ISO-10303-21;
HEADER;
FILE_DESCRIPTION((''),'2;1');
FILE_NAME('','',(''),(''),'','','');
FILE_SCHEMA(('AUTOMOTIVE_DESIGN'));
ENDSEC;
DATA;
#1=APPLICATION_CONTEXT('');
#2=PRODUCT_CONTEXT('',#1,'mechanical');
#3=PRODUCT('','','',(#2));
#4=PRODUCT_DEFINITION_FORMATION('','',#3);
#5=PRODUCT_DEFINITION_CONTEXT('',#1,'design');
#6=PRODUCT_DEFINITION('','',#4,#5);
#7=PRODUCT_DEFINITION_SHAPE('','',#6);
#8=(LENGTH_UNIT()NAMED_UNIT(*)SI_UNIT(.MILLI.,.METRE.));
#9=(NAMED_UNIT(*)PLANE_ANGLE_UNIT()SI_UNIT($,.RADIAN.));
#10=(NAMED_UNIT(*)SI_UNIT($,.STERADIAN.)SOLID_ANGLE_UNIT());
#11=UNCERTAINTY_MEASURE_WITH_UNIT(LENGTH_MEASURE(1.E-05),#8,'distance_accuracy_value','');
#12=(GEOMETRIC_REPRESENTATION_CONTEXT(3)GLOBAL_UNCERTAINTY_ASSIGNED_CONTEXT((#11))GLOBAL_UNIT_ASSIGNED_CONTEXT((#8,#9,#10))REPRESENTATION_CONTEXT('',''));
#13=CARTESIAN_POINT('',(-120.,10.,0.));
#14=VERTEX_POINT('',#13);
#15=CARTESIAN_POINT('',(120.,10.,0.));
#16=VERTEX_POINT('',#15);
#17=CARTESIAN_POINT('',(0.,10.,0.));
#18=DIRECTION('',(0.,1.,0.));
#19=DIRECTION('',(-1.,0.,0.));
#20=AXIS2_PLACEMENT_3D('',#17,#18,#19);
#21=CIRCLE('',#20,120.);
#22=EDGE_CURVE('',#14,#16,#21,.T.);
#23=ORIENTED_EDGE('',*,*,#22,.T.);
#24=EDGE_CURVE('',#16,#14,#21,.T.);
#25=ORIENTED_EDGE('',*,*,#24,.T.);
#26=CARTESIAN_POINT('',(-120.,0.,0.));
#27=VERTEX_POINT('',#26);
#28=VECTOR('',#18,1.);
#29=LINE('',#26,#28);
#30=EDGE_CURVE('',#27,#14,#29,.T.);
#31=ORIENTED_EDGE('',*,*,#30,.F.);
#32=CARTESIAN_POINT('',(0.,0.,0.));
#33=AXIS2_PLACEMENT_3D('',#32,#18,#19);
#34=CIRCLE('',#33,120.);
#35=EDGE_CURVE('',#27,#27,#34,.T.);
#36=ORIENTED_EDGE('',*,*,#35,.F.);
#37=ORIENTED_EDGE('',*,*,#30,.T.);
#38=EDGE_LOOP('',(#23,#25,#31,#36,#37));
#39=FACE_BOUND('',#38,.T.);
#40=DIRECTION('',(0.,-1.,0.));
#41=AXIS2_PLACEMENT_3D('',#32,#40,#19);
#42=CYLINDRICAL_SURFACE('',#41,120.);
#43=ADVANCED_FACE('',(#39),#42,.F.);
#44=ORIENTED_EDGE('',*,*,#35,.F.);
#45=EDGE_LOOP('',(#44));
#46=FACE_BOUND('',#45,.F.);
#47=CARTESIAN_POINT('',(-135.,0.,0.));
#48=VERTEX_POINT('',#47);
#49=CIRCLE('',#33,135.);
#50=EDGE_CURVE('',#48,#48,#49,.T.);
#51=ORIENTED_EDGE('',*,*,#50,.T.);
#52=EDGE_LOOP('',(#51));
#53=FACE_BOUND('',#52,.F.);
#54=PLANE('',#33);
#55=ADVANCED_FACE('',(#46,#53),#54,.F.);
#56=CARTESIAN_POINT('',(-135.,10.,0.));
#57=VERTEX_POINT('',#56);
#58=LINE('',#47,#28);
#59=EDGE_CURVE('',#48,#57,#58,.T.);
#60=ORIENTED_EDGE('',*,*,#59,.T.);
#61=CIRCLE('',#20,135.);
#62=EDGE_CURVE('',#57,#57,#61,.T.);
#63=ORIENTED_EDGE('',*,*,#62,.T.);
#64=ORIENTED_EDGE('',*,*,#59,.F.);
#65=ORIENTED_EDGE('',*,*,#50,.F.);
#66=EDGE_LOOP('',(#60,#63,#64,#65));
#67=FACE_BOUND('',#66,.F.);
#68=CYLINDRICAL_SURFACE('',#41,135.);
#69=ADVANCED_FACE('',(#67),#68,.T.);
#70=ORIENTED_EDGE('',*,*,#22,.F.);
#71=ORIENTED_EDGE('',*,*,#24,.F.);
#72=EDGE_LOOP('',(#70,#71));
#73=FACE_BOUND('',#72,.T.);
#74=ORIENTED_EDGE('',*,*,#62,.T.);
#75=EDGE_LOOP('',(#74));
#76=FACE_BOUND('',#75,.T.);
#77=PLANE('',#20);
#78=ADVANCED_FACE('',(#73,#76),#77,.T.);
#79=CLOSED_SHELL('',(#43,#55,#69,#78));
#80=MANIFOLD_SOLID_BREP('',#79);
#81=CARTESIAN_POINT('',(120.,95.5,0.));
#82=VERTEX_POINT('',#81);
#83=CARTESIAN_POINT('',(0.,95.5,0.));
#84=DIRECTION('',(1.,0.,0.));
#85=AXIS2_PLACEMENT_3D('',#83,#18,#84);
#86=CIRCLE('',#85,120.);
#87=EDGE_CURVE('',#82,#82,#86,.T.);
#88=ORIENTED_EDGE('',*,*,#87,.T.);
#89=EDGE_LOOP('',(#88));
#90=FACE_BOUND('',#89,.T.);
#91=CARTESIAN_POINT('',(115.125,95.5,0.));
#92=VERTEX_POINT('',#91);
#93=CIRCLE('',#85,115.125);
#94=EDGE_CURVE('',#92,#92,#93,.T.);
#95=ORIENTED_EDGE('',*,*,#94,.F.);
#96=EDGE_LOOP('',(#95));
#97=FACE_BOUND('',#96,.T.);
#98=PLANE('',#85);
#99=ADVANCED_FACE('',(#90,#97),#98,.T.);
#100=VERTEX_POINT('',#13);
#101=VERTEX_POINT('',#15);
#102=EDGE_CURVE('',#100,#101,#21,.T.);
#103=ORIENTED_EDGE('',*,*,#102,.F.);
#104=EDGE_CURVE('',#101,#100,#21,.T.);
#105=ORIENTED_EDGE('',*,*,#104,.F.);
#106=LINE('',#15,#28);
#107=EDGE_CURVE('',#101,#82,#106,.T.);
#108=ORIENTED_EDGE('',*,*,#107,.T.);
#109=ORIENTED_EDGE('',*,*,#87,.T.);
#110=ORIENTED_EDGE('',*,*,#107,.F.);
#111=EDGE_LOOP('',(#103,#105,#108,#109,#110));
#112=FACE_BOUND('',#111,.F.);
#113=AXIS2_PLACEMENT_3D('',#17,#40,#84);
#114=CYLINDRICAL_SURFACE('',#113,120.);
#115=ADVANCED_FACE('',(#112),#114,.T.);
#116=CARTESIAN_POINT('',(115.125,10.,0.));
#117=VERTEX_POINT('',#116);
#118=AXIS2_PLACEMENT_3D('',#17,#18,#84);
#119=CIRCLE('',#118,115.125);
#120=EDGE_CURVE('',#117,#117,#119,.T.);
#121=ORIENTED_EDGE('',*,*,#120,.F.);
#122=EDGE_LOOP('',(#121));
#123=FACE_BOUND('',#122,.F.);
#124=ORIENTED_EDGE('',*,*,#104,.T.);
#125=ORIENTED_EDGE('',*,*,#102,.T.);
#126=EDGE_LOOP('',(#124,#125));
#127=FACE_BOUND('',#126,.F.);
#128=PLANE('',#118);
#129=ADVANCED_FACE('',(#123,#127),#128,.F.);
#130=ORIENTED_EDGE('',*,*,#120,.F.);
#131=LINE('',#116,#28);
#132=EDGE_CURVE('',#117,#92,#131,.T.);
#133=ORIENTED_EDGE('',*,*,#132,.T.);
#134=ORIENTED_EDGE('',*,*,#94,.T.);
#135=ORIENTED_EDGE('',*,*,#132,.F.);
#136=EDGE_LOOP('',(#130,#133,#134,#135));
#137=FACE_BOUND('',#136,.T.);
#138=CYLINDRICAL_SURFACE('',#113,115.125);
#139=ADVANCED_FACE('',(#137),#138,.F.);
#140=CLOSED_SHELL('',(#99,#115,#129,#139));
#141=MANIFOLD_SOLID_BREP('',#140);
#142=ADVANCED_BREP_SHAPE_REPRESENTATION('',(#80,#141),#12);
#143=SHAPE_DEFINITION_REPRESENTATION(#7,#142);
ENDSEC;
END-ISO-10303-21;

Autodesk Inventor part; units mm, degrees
ref_plane "YZ Plane" through (0, 0, 0) normal (1, 0, 0) x (0, 1, 0)
ref_plane "XZ Plane" through (0, 0, 0) normal (0, 1, 0) x (-1, 0, 0)
ref_plane "XY Plane" through (0, 0, 0) normal (0, 0, 1) x (1, 0, 0)
sketch "l" plane through (0, 0, 0) normal (0, 1, 0) x (-1, 0, 0)
  circle A0 centre (0, 0) radius 120
  circle A1 centre (0, 0) radius 135
  point P0 (0, 120)
  point P1 (0, -120)
  point P2 (0, -135)
  point P3 (0, 135)
  dimension "d0" = 240
  dimension "d1" = 270
extrude "Extrusion1" add sketch "l" along normal blind 10
sketch "Sketch2" plane through (0, 10, 0) normal (0, 1, 0) x (1, 0, 0)
  circle A0 centre (0, 0) radius 115.125
  circle A1 centre (0, 0) radius 120
  dimension "d4" = 230.25
extrude "Extrusion2" add sketch "Sketch2" along normal blind 85.5
ref_plane "Work Plane1" through (0, 0, 120) normal (0, 0, 1) x (1, 0, 0)
ref_plane "Work Plane2" through (0, 0, -120) normal (0, 0, -1) x (-1, 0, 0)
sketch "Sketch3" plane through (0, 10, 0) normal (0, 1, 0) x (1, 0, 0)
  circle A0 centre (0, 0) radius 115.125 construction
  line L0 (0, 0) -> (0, 120) construction
  circle A1 centre (0, 0) radius 120 construction
  line L1 (0, 120) -> (57.5, 120) construction
  line L2 (57.5, 120) -> (57.5, 174.798)
  line L3 (57.5, 120) -> (112.298, 120) construction
  line L4 (57.5, 174.798) -> (-57.5, 174.798)
  line L5 (-57.5, 174.798) -> (-57.5, 120)
  dimension "d7" = 120
  dimension "d8" = 54.798
  dimension "d9" = 90
  dimension "d10" = 115
  dimension "d11" = 57.5
sketch "Sketch4" plane through (0, 10, 0) normal (0, 1, 0) x (1, 0, 0)
  line L0 (-32.5, -70.125) -> (32.5, -70.125)
  line L1 (32.5, -70.125) -> (32.5, -160.125)
  line L2 (32.5, -160.125) -> (-32.5, -160.125)
  line L3 (-32.5, -160.125) -> (-32.5, -70.125)
  circle A0 centre (0, 0) radius 115.125
  line L4 (31, -71.625) -> (-31, -71.625)
  line L5 (-31, -71.625) -> (-31, -158.625)
  line L6 (-31, -158.625) -> (31, -158.625)
  line L7 (31, -158.625) -> (31, -71.625)
  arc A1 (-32.5, -118.935) -> (-46.2997, -118.8397) centre (-39.3993, -118.814) ccw
  arc A2 (46.2999, -118.8962) -> (32.5, -118.8521) centre (39.3999, -118.8962) ccw
  circle A3 centre (0, 0) radius 120
  circle A4 centre (0, 0) radius 120
  line L8 (-85.1567, -65.125) -> (-46.2997, -65.125)
  line L9 (-46.2997, -65.125) -> (-46.2997, -126.0372)
  line L10 (-85.1567, -103.8141) -> (-85.1567, -65.125)
  circle A5 centre (0, 0) radius 134.2722
  line L11 (0, -71.625) -> (0, -158.625)
  line L12 (-83.1567, -108.9509) -> (-83.1567, -67.125)
  line L13 (-83.1567, -67.125) -> (-48.0393, -67.125)
  line L14 (-48.0393, -67.125) -> (-48.0393, -125.3844)
  circle A6 centre (0, 0) radius 132.2722
  circle A7 centre (0, 0) radius 115.125
  line L15 (-85.1567, -103.8141) -> (-85.1567, -150.3591)
  line L16 (-85.1567, -103.8141) -> (-38.6117, -103.8141) construction
  line L17 (-85.1567, -150.3591) -> (-46.2997, -150.3591)
  line L18 (-46.2997, -150.3591) -> (-46.2997, -126.0372)
  line L19 (-48.0393, -125.3844) -> (-48.0393, -148.3591)
  line L20 (-48.0393, -148.3591) -> (-83.1567, -148.3591)
  line L21 (-83.1567, -148.3591) -> (-83.1567, -108.9509)
  line L22 (46.2997, -65.125) -> (46.2999, -126.0371)
  line L23 (48.0393, -67.125) -> (48.0393, -125.3844)
  line L24 (85.1567, -65.125) -> (46.2997, -65.125)
  line L25 (83.1567, -67.125) -> (48.0393, -67.125)
  line L26 (83.1567, -108.9509) -> (83.1567, -67.125)
  line L27 (85.1567, -103.8141) -> (85.1567, -65.125)
  line L28 (85.1567, -103.8141) -> (85.1567, -150.3591)
  line L29 (83.1567, -148.3591) -> (83.1567, -108.9509)
  line L30 (85.1567, -150.3591) -> (46.2997, -150.3591)
  line L31 (48.0393, -148.3591) -> (83.1567, -148.3591)
  line L32 (46.2997, -150.3591) -> (46.2999, -126.0371)
  line L33 (48.0393, -125.3844) -> (48.0393, -148.3591)
  line L34 (57.5, 70.125) -> (-57.5, 70.125)
  line L35 (-57.5, 70.125) -> (-57.5, 160.125)
  line L36 (-57.5, 160.125) -> (57.5, 160.125)
  line L37 (57.5, 160.125) -> (57.5, 70.125)
  line L38 (57.5, 70.125) -> (-57.5, 160.125) construction
  line L39 (-57.5, 70.125) -> (57.5, 160.125) construction
  line L40 (-56, 158.625) -> (-56, 71.625)
  line L41 (-56, 71.625) -> (56, 71.625)
  line L42 (56, 71.625) -> (56, 158.625)
  line L43 (56, 158.625) -> (-56, 158.625)
  point P0 (0, 0)
  point P1 (-175.3676, -192.3287)
  point P2 (0, -115.125)
  point P3 (0, -70.125)
  point P4 (37.7289, -108.0229)
  point P5 (-27.2711, -108.0229)
  point P6 (36.2289, -108.4533)
  point P7 (-25.7711, -108.4533)
  point P8 (-61.2997, -115.125)
  point P9 (75.8883, -110.77)
  point P10 (37.7289, -113.0957)
  point P11 (37.7289, -118.7724)
  point P12 (-41.0708, -118.8403)
  point P13 (-27.2711, -118.7724)
  point P14 (-27.2711, -113.0957)
  point P15 (-42.8104, -107.5452)
  point P16 (-42.8104, -120.8208)
  point P17 (-77.9278, -100.4441)
  point P18 (-77.9278, -84.0963)
  point P19 (-79.9278, -82.1284)
  point P20 (-42.8104, -102.2037)
  point P21 (-77.9278, -77.1967)
  point P22 (-25.7711, -126.1688)
  point P23 (36.2289, -126.1688)
  point P24 (-27.2711, -127.8602)
  point P25 (37.7289, -127.8602)
  point P26 (-25.7711, -113.5073)
  point P27 (36.2289, -113.5073)
  point P28 (37.7289, -125.7979)
  point P29 (-27.2711, -125.7979)
  point P30 (53.2682, -107.5452)
  point P31 (51.5286, -118.8403)
  point P32 (90.3856, -82.1284)
  point P33 (88.3856, -84.0963)
  point P34 (90.3856, -101.3947)
  point P35 (53.2682, -122.965)
  point P36 (88.3856, -103.0035)
  point P37 (-77.9278, -103.0035)
  point P38 (53.2682, -102.2037)
  point P39 (0, 115.125)
  point P40 (0, 70.125)
  point P41 (-52.2711, 123.7569)
  point P42 (-50.7711, 124.4564)
  point P43 (61.2289, 124.4564)
  point P44 (62.7289, 123.7569)
  point P45 (61.2289, 103.0066)
  point P46 (62.7289, 102.1567)
  point P47 (-52.2711, 102.1567)
  point P48 (-50.7711, 103.0066)
  point P49 (61.2289, 108.5514)
  point P50 (-50.7711, 108.5514)
  dimension "d23" = 230.25
  dimension "d12" = 65
  dimension "d13" = 1.5
  dimension "d14" = 13.8
  dimension "d15" = 240
  dimension "d16" = 2
  dimension "d17" = 38.857
  dimension "d18" = 2
  dimension "d19" = 46.545
  dimension "d20" = 90
  dimension "d21" = 2
  dimension "d22" = 264.5444
  dimension "d24" = 13.7997
  dimension "d25" = 46.2997
  dimension "d26" = 90
  dimension "d27" = 65.125
  dimension "d28" = 70.125
  dimension "d29" = 90
  dimension "d30" = 115
  dimension "d31" = 1.5
  dimension "d32" = 70.125
  dimension "d33" = 90
  dimension "d34" = 0
  dimension "d35" = 0
  dimension "d36" = 0
  dimension "d37" = 0
equation "\"d11\" = 0.5 * d10"
properties part number "CoverHolder_Both"
